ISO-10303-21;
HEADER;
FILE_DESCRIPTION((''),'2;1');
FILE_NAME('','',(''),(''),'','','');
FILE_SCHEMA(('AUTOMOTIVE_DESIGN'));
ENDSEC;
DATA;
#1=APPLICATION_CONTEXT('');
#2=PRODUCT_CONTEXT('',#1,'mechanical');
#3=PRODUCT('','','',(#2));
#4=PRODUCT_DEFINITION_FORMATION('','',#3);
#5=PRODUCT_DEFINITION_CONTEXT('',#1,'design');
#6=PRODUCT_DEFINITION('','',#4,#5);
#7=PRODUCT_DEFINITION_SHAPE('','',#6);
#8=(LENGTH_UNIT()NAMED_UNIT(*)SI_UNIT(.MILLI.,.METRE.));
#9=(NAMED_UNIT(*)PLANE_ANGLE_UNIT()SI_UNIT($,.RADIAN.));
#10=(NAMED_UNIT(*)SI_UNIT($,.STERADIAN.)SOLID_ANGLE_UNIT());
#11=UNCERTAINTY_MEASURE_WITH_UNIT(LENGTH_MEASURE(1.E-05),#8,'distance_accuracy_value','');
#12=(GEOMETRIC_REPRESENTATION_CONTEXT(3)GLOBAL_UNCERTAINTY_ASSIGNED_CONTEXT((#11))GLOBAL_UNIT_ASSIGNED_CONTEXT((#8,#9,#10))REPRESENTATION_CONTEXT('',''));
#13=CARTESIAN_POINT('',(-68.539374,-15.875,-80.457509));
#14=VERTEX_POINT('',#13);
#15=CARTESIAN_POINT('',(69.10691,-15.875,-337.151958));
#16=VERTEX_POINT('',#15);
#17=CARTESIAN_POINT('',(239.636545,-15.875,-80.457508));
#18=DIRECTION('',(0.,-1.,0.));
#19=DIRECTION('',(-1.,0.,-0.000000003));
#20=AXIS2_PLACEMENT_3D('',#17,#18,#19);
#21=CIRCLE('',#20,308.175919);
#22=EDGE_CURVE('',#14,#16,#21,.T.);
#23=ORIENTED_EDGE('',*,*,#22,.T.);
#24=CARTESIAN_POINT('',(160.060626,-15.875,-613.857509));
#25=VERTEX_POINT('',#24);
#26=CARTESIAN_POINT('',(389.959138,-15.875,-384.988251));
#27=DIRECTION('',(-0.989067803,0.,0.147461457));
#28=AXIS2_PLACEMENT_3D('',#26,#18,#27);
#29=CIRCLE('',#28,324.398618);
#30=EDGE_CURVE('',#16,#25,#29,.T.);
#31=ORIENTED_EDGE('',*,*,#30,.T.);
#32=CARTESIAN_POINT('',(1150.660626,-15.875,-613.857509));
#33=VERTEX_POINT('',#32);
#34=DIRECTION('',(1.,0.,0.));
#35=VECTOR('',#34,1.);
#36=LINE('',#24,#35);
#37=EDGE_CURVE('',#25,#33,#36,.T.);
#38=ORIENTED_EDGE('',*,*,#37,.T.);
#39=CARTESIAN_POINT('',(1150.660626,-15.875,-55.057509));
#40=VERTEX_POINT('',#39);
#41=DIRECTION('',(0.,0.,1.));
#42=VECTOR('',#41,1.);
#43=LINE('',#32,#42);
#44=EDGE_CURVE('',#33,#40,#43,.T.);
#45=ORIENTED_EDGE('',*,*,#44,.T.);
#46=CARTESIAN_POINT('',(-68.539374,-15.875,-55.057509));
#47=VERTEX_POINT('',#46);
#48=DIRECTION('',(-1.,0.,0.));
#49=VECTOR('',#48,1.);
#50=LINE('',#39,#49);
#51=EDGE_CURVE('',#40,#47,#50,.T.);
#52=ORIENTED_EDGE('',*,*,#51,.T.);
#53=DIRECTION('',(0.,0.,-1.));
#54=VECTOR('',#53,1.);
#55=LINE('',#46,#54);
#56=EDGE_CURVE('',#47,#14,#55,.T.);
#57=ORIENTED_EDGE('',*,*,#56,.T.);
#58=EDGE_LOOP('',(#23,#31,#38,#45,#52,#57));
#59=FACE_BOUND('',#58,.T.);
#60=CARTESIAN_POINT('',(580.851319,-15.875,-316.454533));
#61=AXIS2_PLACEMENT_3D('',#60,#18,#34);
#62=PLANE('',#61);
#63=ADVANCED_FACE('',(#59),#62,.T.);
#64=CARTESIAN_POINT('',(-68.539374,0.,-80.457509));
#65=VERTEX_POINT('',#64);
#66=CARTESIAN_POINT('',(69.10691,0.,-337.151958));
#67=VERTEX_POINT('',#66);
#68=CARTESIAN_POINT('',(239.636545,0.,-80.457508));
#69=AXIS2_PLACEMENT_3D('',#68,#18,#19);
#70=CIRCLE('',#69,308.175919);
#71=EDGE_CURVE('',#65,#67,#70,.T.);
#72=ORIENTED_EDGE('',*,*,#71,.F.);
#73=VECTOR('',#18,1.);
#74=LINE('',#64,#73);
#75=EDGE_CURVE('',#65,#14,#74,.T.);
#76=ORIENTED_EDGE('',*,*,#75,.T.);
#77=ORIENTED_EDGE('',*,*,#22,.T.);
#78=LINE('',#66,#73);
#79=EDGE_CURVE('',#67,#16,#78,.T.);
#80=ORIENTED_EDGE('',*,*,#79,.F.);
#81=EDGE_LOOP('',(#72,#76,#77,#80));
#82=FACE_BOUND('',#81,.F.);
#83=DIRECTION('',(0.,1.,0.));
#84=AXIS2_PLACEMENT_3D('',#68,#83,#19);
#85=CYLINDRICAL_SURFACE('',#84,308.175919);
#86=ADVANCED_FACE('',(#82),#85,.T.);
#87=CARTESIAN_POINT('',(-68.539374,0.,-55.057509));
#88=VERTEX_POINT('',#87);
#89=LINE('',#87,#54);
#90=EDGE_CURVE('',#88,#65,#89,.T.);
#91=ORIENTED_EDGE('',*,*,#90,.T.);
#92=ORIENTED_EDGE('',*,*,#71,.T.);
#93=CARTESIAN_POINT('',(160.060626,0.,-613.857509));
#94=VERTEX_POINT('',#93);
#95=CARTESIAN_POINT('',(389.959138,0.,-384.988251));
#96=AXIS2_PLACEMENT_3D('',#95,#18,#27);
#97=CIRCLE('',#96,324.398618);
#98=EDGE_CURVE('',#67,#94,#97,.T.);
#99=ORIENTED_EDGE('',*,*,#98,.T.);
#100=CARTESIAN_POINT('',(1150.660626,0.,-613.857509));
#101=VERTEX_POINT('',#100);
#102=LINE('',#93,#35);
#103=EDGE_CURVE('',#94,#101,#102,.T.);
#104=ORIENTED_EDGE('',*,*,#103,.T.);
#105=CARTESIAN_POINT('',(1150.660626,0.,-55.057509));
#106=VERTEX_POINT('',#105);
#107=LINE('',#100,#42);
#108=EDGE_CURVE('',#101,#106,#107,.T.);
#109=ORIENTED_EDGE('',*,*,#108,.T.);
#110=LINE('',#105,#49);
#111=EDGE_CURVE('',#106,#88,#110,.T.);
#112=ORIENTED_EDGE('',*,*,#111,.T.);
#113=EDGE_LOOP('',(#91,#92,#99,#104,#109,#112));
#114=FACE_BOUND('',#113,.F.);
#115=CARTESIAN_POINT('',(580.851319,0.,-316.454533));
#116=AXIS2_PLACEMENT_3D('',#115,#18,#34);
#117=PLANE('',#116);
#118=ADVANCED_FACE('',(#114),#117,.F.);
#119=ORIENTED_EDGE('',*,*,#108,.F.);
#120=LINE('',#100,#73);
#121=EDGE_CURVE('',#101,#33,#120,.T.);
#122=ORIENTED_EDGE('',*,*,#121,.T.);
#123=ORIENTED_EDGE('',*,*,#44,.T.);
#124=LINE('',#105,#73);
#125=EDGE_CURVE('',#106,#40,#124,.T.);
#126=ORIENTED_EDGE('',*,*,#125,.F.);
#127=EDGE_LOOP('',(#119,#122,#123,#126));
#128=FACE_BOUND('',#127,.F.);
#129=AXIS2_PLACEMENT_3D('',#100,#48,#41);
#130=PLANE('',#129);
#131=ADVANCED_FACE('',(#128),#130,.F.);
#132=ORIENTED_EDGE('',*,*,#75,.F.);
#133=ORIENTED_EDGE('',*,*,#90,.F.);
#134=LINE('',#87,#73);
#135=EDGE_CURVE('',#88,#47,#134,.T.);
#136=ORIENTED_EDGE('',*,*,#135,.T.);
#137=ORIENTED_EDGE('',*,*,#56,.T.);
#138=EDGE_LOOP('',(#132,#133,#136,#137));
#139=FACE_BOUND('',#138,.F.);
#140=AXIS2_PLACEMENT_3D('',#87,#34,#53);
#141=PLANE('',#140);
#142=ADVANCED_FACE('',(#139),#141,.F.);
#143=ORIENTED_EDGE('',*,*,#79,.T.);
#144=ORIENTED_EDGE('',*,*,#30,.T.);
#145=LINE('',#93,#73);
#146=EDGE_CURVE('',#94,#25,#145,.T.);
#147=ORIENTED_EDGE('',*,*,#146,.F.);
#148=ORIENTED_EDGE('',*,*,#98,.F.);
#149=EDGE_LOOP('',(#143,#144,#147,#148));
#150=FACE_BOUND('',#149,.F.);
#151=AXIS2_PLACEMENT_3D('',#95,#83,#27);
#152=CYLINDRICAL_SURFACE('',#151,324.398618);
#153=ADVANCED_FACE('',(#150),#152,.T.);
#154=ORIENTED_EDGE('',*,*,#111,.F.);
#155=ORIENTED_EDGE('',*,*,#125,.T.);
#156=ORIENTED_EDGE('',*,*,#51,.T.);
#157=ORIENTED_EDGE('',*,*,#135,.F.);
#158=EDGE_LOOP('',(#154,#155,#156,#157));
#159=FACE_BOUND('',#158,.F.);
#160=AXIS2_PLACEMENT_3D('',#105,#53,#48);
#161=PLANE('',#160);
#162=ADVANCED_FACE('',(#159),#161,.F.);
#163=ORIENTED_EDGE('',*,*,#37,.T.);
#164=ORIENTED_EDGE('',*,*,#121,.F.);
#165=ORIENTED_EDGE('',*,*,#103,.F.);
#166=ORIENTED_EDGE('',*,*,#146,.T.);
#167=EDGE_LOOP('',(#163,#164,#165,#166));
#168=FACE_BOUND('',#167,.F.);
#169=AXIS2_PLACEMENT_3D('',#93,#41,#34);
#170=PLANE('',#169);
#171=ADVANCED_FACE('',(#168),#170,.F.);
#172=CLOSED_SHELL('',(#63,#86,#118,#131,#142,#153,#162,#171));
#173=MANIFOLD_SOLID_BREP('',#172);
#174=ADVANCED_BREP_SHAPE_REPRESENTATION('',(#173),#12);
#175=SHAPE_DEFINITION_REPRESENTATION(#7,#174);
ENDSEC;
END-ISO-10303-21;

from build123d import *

# Parameters (mm, degrees)
F1_DEPTH = 15.875


with BuildPart() as f1:
    # F0 (on Front) → F1 (new body)
    with BuildSketch(Plane.XZ):
        with BuildLine():
            Line((1150.660626, -55.057509), (-68.539374, -55.057509))
            Line((-68.539374, -55.057509), (-68.539374, -80.457509))
            ThreePointArc((-68.539374, -80.457509), (-31.956463, -226.092789), (69.10691, -337.151958))
            ThreePointArc((69.10691, -337.151958), (81.782103, -486.286712), (160.060626, -613.857509))
            Line((160.060626, -613.857509), (1150.660626, -613.857509))
            Line((1150.660626, -613.857509), (1150.660626, -55.057509))
        make_face()
    extrude(amount=F1_DEPTH)


solid = f1.part
